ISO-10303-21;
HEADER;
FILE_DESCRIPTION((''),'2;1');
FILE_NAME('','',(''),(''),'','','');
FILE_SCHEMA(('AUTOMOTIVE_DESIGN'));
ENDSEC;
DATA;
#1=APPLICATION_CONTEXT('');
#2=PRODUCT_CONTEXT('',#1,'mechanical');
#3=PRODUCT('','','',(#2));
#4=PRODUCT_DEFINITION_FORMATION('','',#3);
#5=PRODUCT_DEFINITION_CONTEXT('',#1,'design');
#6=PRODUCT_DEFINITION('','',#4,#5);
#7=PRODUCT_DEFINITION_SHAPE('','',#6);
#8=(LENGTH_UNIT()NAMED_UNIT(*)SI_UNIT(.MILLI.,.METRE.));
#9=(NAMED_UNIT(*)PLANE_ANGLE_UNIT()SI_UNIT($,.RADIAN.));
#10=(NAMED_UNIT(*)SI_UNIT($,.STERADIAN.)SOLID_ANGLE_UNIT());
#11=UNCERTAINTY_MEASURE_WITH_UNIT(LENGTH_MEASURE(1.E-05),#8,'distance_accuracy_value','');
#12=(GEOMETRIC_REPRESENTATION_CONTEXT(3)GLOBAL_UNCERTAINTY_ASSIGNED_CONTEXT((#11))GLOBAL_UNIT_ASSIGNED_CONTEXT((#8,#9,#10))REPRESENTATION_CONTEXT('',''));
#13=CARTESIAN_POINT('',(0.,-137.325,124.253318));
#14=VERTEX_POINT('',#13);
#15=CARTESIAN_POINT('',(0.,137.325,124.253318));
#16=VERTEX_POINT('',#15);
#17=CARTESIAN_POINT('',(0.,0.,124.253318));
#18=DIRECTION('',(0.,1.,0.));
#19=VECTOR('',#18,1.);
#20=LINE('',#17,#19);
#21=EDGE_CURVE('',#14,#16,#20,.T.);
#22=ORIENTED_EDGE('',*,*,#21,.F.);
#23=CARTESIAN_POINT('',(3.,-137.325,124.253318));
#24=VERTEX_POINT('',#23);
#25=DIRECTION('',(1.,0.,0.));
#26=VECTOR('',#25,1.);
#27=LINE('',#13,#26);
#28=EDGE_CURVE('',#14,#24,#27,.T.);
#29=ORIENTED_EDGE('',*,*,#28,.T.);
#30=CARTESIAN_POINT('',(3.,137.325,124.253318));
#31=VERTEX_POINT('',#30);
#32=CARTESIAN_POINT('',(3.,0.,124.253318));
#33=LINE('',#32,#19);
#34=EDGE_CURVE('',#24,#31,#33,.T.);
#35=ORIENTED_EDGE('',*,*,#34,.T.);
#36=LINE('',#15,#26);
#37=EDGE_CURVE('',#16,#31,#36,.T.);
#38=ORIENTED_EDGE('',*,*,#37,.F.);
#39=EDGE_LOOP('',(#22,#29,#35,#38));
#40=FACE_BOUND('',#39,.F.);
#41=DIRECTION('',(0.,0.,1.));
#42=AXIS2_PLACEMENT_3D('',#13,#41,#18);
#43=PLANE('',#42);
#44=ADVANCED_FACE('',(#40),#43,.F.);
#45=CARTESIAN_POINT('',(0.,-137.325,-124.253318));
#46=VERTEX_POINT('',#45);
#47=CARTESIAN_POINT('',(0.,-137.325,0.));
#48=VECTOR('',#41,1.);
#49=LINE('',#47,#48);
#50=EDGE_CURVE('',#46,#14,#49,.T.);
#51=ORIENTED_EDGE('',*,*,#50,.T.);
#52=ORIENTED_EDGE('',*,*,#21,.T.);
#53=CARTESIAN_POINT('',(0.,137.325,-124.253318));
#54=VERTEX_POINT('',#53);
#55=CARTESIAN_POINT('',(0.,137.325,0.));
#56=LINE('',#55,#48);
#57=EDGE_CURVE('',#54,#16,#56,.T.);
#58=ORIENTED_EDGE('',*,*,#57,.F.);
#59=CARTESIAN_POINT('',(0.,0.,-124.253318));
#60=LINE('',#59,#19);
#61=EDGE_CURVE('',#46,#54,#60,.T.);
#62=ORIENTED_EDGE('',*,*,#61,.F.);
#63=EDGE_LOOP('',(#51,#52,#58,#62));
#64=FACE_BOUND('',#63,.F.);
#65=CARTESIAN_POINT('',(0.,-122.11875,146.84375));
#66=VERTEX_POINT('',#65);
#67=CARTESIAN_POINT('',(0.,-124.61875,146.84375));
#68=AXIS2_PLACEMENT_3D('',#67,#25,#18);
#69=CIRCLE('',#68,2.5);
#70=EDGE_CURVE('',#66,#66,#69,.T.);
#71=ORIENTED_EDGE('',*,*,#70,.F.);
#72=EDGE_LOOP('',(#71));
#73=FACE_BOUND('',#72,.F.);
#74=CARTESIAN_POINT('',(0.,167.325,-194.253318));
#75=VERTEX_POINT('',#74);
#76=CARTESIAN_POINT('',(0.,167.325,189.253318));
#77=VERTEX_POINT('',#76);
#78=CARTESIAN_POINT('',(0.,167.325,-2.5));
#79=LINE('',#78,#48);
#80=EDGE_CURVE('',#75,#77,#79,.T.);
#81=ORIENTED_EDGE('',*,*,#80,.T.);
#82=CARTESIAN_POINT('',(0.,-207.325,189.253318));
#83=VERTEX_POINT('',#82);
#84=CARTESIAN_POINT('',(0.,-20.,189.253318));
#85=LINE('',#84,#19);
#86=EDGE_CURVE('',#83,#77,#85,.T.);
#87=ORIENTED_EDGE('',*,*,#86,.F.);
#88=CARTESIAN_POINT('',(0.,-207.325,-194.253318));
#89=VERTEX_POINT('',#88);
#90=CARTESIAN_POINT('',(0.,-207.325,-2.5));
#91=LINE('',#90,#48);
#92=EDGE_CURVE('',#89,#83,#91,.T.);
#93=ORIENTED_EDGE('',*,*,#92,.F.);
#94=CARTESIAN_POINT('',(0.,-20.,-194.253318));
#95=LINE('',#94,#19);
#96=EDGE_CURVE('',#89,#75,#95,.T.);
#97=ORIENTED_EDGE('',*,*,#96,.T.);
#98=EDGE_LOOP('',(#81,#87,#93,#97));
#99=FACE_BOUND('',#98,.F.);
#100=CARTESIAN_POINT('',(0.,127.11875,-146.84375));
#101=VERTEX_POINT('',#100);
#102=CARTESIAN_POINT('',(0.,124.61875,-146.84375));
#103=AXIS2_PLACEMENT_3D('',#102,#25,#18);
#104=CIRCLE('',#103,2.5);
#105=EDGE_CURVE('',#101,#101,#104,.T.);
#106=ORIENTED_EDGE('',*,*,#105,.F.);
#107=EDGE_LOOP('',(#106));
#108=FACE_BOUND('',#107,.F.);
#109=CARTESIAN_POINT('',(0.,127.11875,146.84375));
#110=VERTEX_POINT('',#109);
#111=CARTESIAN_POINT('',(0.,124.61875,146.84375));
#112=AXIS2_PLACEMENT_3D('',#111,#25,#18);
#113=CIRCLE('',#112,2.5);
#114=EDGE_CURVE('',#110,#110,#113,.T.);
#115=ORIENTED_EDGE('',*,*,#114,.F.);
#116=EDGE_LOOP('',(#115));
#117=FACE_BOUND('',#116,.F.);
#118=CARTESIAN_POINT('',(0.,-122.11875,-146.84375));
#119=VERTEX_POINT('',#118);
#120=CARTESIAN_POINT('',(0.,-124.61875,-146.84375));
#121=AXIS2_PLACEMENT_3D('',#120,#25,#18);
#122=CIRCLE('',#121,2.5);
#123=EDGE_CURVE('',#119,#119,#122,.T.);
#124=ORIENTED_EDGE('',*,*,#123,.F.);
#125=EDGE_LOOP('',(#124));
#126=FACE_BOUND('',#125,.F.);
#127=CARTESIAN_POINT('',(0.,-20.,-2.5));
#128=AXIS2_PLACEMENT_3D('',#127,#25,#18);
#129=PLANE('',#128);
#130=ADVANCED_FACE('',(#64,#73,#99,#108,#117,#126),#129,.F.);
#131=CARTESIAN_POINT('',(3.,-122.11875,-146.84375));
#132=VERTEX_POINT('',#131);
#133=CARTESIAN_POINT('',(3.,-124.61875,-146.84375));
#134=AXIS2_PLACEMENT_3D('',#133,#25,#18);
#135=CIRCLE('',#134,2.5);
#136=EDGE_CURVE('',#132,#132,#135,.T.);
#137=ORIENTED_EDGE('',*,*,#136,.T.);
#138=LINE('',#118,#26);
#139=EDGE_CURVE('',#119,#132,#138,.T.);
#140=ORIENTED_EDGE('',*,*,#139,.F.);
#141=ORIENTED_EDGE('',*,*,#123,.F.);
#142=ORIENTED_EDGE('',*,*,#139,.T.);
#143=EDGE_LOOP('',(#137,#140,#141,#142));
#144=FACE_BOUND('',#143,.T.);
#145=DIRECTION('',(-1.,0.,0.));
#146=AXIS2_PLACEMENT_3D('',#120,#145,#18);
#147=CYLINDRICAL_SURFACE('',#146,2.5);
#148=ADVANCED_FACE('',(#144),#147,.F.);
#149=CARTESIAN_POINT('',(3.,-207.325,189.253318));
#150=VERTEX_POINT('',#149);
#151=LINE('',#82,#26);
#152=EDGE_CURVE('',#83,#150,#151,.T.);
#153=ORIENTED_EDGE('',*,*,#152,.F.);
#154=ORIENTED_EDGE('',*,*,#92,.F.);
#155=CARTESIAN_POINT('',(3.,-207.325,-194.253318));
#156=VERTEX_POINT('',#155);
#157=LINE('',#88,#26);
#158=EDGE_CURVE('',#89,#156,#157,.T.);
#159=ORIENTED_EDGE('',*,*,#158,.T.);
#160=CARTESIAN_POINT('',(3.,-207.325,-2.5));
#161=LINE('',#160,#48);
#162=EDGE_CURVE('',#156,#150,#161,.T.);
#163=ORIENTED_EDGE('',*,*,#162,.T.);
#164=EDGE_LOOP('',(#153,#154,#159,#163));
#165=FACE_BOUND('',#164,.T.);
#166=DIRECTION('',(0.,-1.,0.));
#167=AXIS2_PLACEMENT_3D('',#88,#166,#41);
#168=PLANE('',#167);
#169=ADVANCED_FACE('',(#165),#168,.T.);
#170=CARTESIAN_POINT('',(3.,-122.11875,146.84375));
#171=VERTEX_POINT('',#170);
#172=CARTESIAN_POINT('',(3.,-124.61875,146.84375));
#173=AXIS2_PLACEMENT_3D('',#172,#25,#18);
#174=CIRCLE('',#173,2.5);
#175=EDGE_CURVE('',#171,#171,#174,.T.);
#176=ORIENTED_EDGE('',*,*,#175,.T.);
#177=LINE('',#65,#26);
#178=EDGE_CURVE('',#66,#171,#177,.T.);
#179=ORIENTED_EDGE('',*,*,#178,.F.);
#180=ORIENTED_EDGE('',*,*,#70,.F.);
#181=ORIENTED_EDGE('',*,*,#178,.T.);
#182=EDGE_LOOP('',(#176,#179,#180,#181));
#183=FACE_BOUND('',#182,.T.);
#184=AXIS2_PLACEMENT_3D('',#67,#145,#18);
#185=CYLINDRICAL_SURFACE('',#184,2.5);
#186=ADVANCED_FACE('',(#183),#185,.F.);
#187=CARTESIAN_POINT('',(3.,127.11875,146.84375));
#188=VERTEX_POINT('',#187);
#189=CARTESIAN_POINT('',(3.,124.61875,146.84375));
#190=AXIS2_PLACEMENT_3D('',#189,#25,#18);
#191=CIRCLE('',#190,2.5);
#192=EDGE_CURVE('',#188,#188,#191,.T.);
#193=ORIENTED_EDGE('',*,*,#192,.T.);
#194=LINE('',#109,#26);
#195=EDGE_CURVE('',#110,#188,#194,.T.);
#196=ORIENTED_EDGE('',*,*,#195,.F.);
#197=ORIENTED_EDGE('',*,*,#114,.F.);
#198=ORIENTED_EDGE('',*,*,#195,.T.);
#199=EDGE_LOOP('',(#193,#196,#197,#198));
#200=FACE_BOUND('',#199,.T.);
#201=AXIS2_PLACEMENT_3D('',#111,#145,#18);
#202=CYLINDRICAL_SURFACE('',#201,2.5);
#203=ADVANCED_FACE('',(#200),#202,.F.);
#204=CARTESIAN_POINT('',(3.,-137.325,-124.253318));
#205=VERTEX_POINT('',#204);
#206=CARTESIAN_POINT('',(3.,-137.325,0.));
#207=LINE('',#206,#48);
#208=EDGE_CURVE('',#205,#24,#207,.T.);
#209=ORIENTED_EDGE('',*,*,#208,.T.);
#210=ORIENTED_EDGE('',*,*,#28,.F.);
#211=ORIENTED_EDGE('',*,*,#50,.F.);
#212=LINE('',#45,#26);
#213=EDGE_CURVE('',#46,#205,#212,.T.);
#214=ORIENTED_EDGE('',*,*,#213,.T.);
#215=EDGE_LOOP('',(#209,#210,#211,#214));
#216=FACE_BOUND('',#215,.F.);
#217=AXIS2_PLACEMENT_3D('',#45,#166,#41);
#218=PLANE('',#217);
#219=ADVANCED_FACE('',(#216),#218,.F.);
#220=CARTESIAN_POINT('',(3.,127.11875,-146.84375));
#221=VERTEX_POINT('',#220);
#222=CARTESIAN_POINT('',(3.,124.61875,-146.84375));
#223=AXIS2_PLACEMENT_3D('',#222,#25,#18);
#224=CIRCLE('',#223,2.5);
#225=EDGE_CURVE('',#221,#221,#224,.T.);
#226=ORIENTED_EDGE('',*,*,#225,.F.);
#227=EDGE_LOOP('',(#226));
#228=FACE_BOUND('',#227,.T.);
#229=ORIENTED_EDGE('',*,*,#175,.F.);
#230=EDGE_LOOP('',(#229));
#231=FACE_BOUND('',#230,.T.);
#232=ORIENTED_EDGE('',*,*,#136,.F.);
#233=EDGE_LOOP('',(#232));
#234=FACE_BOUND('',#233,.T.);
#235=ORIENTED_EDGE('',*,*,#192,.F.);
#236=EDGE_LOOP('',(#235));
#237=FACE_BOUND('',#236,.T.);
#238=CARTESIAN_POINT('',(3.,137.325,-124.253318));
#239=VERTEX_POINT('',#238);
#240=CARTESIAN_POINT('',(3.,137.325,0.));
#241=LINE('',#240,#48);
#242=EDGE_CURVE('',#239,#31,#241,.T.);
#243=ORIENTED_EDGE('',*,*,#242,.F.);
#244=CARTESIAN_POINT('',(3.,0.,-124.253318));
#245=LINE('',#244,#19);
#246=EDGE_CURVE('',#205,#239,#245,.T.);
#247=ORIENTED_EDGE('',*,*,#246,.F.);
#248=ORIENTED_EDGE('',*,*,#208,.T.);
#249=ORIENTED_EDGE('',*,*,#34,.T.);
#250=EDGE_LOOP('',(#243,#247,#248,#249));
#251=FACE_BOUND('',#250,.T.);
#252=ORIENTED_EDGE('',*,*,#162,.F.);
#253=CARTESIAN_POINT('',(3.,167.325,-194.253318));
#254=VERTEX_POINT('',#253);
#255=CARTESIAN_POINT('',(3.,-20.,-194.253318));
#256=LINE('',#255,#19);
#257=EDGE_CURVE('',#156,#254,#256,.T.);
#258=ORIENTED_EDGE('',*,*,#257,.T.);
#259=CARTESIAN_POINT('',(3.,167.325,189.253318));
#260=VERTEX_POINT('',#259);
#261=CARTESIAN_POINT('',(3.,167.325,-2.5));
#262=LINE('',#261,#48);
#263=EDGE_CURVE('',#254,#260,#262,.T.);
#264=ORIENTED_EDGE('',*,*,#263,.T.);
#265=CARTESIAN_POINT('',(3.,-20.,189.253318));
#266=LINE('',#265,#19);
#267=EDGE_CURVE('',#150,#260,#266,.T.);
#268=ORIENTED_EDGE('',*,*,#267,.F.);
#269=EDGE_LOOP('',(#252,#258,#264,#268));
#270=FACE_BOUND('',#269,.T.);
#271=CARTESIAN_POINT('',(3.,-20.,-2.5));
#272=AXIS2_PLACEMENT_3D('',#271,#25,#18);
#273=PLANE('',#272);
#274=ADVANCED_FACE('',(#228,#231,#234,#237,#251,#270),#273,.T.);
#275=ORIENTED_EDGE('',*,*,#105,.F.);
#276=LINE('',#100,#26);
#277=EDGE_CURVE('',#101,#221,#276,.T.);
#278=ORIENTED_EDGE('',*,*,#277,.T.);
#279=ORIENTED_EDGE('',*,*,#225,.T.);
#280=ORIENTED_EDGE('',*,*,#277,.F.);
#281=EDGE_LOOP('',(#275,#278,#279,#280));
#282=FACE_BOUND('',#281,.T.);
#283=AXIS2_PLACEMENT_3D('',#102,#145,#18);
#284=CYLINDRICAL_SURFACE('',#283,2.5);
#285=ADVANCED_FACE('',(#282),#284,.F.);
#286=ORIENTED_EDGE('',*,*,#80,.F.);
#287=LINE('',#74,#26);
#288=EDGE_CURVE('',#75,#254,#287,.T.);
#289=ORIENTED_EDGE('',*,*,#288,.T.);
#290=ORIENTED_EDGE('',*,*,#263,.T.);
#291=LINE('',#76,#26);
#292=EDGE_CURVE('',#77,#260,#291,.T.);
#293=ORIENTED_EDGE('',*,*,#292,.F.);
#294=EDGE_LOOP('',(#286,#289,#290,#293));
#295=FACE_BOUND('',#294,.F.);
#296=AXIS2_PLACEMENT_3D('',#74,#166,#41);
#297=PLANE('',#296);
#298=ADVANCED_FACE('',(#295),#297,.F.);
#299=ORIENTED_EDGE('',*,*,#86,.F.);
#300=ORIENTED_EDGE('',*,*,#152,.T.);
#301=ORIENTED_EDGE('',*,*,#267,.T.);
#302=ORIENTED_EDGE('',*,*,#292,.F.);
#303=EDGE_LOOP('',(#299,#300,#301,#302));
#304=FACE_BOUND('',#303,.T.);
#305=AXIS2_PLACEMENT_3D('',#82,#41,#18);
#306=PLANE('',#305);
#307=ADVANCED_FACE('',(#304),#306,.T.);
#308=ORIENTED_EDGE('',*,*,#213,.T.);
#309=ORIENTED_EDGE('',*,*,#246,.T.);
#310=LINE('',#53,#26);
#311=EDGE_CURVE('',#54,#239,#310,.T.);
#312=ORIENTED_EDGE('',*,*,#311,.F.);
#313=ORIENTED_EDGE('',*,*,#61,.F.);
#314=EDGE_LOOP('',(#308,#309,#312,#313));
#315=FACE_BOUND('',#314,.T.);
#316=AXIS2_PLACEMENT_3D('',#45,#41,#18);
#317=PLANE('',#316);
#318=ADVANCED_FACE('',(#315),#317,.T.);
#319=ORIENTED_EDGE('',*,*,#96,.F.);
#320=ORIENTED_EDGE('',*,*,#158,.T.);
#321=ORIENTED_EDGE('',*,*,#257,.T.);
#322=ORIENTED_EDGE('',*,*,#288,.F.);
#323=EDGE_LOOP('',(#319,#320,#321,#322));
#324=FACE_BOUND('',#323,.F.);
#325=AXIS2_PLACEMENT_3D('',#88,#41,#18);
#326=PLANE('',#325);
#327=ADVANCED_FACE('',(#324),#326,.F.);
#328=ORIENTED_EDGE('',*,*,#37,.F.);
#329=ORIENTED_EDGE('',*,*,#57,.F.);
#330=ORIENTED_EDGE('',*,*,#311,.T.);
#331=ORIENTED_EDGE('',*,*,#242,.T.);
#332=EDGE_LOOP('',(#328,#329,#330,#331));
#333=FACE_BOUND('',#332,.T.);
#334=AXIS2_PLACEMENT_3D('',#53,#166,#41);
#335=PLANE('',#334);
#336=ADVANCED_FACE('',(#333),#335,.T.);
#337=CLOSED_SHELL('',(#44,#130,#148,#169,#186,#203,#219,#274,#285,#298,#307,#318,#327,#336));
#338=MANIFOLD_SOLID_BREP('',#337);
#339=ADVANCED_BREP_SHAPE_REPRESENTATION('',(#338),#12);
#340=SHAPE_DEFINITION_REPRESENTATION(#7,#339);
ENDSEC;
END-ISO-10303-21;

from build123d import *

# Parameters (mm, degrees)
F0_W     = 374.65
F0_H     = 383.506636
F0_R     = 2.5
F0_W_2   = 274.65
F0_H_2   = 248.506636
F1_DEPTH = 3


with BuildPart() as f1:
    # F0 (on Right) → F1 (new body)
    with BuildSketch(Plane.YZ):
        with Locations((-20, -2.5)):
            Rectangle(F0_W, F0_H)
        with Locations((-124.61875, -146.84375)):
            Circle(F0_R, mode=Mode.SUBTRACT)
        with Locations((124.61875, -146.84375)):
            Circle(F0_R, mode=Mode.SUBTRACT)
        with Locations((-124.61875, 146.84375)):
            Circle(F0_R, mode=Mode.SUBTRACT)
        Rectangle(F0_W_2, F0_H_2, mode=Mode.SUBTRACT)
        with Locations((124.61875, 146.84375)):
            Circle(F0_R, mode=Mode.SUBTRACT)
    extrude(amount=F1_DEPTH)


solid = f1.part
